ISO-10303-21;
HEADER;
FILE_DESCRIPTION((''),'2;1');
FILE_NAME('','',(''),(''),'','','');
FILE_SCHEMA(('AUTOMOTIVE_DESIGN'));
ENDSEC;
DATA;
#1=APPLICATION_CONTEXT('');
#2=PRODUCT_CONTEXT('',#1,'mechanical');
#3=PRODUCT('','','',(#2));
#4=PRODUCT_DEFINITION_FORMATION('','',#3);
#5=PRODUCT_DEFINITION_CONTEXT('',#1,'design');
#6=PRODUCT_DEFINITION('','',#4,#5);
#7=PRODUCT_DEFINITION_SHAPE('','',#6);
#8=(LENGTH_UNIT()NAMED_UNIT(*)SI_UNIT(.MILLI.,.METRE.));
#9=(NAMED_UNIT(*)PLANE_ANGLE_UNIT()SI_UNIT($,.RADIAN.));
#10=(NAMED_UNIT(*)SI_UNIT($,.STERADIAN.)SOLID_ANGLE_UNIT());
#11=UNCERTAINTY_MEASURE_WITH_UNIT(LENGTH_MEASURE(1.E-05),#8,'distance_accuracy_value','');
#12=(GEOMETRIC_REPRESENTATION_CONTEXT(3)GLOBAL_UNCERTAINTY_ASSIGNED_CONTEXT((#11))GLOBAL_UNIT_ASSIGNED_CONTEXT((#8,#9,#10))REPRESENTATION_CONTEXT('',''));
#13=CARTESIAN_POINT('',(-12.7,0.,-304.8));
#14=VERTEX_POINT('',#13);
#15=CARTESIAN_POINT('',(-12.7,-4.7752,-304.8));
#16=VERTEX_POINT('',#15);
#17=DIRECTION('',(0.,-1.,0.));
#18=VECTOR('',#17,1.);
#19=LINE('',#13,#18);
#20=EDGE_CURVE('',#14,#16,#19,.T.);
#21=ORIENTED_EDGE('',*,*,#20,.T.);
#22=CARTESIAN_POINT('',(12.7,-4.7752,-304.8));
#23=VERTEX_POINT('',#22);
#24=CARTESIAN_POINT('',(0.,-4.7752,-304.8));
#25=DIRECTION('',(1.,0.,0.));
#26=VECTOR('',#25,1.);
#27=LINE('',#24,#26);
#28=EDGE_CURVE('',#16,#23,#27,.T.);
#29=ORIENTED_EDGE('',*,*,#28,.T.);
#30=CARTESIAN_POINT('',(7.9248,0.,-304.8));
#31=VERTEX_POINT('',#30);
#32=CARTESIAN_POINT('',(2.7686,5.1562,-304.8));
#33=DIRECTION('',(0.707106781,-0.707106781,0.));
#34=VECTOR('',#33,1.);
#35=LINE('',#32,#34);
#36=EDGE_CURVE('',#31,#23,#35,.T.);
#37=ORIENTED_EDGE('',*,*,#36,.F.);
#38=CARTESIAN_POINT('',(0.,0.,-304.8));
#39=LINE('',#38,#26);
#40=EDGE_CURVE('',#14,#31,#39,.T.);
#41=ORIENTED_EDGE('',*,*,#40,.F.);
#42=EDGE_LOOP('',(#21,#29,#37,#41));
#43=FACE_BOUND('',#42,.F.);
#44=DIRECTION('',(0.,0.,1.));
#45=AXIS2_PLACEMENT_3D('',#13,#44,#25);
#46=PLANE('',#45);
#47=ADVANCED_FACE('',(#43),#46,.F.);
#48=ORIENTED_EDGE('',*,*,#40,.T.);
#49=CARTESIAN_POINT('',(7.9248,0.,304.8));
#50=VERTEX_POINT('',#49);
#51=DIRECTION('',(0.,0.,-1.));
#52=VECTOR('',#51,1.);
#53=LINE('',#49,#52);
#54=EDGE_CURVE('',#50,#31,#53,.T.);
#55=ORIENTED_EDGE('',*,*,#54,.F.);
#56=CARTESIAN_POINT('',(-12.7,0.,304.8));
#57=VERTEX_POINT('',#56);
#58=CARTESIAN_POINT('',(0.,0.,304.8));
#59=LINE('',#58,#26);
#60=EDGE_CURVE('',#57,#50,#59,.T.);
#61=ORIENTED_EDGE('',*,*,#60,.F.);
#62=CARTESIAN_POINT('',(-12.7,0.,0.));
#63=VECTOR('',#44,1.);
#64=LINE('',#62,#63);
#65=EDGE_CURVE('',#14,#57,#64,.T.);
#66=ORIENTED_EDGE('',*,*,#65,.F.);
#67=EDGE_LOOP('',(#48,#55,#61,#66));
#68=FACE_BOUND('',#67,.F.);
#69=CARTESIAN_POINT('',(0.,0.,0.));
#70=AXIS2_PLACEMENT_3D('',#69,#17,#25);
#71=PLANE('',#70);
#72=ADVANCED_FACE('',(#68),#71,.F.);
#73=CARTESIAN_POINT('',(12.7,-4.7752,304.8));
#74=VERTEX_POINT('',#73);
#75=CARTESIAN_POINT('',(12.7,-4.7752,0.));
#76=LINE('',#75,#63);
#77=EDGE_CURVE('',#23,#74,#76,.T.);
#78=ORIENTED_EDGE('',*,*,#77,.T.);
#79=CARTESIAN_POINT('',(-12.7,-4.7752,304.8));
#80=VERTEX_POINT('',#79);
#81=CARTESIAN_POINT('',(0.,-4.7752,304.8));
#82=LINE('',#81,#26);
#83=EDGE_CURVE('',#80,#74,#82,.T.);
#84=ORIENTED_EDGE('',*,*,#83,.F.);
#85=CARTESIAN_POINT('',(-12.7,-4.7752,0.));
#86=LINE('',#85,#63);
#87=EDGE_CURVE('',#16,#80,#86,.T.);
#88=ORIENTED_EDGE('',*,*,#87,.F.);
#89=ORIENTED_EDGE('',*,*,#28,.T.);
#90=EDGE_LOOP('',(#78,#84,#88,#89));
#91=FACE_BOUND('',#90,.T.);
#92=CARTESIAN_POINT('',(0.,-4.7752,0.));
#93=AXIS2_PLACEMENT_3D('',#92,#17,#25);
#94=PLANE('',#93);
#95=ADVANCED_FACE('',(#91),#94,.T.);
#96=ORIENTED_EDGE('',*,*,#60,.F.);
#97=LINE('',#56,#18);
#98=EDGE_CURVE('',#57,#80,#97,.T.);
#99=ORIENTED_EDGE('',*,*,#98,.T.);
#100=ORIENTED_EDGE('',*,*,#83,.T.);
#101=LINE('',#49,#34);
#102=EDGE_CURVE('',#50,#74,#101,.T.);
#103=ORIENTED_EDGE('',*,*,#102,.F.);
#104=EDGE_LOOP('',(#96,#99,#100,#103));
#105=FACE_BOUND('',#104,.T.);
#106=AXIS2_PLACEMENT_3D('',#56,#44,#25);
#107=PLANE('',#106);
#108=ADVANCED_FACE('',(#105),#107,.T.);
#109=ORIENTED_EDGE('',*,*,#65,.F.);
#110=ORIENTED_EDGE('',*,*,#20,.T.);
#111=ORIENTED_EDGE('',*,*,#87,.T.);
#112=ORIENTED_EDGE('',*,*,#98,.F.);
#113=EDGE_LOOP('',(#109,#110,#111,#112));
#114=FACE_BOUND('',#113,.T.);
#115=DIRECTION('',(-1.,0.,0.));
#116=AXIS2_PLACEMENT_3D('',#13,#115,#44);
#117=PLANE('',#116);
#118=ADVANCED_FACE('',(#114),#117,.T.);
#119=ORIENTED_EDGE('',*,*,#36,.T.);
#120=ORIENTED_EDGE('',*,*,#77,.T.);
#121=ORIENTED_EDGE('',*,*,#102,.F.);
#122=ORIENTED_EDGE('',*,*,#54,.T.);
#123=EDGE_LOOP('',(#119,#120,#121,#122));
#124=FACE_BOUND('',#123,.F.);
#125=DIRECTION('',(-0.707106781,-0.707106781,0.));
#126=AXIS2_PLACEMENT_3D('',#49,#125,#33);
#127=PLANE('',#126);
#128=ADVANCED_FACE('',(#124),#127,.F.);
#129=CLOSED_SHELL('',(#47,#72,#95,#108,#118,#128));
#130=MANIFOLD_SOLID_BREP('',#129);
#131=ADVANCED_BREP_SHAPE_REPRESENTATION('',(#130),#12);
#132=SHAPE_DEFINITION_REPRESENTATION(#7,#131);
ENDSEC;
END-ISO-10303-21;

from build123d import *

# Parameters (mm, degrees)
F0_W     = 25.4
F0_H     = 609.6
F1_DEPTH = 4.7752
F3_DEPTH = 609.601


with BuildPart() as f1:
    # F0 (on Front) → F1 (new body)
    with BuildSketch(Plane.XZ):
        Rectangle(F0_W, F0_H)
    extrude(amount=F1_DEPTH)

    # F2 (on face) → F3 (cut, through all)
    with BuildSketch(Plane.XY.offset(304.8)):
        Polygon((7.9248, 0), (12.7, -4.7752), (12.7, 0), align=None)
    extrude(amount=-F3_DEPTH, mode=Mode.SUBTRACT)


solid = f1.part
